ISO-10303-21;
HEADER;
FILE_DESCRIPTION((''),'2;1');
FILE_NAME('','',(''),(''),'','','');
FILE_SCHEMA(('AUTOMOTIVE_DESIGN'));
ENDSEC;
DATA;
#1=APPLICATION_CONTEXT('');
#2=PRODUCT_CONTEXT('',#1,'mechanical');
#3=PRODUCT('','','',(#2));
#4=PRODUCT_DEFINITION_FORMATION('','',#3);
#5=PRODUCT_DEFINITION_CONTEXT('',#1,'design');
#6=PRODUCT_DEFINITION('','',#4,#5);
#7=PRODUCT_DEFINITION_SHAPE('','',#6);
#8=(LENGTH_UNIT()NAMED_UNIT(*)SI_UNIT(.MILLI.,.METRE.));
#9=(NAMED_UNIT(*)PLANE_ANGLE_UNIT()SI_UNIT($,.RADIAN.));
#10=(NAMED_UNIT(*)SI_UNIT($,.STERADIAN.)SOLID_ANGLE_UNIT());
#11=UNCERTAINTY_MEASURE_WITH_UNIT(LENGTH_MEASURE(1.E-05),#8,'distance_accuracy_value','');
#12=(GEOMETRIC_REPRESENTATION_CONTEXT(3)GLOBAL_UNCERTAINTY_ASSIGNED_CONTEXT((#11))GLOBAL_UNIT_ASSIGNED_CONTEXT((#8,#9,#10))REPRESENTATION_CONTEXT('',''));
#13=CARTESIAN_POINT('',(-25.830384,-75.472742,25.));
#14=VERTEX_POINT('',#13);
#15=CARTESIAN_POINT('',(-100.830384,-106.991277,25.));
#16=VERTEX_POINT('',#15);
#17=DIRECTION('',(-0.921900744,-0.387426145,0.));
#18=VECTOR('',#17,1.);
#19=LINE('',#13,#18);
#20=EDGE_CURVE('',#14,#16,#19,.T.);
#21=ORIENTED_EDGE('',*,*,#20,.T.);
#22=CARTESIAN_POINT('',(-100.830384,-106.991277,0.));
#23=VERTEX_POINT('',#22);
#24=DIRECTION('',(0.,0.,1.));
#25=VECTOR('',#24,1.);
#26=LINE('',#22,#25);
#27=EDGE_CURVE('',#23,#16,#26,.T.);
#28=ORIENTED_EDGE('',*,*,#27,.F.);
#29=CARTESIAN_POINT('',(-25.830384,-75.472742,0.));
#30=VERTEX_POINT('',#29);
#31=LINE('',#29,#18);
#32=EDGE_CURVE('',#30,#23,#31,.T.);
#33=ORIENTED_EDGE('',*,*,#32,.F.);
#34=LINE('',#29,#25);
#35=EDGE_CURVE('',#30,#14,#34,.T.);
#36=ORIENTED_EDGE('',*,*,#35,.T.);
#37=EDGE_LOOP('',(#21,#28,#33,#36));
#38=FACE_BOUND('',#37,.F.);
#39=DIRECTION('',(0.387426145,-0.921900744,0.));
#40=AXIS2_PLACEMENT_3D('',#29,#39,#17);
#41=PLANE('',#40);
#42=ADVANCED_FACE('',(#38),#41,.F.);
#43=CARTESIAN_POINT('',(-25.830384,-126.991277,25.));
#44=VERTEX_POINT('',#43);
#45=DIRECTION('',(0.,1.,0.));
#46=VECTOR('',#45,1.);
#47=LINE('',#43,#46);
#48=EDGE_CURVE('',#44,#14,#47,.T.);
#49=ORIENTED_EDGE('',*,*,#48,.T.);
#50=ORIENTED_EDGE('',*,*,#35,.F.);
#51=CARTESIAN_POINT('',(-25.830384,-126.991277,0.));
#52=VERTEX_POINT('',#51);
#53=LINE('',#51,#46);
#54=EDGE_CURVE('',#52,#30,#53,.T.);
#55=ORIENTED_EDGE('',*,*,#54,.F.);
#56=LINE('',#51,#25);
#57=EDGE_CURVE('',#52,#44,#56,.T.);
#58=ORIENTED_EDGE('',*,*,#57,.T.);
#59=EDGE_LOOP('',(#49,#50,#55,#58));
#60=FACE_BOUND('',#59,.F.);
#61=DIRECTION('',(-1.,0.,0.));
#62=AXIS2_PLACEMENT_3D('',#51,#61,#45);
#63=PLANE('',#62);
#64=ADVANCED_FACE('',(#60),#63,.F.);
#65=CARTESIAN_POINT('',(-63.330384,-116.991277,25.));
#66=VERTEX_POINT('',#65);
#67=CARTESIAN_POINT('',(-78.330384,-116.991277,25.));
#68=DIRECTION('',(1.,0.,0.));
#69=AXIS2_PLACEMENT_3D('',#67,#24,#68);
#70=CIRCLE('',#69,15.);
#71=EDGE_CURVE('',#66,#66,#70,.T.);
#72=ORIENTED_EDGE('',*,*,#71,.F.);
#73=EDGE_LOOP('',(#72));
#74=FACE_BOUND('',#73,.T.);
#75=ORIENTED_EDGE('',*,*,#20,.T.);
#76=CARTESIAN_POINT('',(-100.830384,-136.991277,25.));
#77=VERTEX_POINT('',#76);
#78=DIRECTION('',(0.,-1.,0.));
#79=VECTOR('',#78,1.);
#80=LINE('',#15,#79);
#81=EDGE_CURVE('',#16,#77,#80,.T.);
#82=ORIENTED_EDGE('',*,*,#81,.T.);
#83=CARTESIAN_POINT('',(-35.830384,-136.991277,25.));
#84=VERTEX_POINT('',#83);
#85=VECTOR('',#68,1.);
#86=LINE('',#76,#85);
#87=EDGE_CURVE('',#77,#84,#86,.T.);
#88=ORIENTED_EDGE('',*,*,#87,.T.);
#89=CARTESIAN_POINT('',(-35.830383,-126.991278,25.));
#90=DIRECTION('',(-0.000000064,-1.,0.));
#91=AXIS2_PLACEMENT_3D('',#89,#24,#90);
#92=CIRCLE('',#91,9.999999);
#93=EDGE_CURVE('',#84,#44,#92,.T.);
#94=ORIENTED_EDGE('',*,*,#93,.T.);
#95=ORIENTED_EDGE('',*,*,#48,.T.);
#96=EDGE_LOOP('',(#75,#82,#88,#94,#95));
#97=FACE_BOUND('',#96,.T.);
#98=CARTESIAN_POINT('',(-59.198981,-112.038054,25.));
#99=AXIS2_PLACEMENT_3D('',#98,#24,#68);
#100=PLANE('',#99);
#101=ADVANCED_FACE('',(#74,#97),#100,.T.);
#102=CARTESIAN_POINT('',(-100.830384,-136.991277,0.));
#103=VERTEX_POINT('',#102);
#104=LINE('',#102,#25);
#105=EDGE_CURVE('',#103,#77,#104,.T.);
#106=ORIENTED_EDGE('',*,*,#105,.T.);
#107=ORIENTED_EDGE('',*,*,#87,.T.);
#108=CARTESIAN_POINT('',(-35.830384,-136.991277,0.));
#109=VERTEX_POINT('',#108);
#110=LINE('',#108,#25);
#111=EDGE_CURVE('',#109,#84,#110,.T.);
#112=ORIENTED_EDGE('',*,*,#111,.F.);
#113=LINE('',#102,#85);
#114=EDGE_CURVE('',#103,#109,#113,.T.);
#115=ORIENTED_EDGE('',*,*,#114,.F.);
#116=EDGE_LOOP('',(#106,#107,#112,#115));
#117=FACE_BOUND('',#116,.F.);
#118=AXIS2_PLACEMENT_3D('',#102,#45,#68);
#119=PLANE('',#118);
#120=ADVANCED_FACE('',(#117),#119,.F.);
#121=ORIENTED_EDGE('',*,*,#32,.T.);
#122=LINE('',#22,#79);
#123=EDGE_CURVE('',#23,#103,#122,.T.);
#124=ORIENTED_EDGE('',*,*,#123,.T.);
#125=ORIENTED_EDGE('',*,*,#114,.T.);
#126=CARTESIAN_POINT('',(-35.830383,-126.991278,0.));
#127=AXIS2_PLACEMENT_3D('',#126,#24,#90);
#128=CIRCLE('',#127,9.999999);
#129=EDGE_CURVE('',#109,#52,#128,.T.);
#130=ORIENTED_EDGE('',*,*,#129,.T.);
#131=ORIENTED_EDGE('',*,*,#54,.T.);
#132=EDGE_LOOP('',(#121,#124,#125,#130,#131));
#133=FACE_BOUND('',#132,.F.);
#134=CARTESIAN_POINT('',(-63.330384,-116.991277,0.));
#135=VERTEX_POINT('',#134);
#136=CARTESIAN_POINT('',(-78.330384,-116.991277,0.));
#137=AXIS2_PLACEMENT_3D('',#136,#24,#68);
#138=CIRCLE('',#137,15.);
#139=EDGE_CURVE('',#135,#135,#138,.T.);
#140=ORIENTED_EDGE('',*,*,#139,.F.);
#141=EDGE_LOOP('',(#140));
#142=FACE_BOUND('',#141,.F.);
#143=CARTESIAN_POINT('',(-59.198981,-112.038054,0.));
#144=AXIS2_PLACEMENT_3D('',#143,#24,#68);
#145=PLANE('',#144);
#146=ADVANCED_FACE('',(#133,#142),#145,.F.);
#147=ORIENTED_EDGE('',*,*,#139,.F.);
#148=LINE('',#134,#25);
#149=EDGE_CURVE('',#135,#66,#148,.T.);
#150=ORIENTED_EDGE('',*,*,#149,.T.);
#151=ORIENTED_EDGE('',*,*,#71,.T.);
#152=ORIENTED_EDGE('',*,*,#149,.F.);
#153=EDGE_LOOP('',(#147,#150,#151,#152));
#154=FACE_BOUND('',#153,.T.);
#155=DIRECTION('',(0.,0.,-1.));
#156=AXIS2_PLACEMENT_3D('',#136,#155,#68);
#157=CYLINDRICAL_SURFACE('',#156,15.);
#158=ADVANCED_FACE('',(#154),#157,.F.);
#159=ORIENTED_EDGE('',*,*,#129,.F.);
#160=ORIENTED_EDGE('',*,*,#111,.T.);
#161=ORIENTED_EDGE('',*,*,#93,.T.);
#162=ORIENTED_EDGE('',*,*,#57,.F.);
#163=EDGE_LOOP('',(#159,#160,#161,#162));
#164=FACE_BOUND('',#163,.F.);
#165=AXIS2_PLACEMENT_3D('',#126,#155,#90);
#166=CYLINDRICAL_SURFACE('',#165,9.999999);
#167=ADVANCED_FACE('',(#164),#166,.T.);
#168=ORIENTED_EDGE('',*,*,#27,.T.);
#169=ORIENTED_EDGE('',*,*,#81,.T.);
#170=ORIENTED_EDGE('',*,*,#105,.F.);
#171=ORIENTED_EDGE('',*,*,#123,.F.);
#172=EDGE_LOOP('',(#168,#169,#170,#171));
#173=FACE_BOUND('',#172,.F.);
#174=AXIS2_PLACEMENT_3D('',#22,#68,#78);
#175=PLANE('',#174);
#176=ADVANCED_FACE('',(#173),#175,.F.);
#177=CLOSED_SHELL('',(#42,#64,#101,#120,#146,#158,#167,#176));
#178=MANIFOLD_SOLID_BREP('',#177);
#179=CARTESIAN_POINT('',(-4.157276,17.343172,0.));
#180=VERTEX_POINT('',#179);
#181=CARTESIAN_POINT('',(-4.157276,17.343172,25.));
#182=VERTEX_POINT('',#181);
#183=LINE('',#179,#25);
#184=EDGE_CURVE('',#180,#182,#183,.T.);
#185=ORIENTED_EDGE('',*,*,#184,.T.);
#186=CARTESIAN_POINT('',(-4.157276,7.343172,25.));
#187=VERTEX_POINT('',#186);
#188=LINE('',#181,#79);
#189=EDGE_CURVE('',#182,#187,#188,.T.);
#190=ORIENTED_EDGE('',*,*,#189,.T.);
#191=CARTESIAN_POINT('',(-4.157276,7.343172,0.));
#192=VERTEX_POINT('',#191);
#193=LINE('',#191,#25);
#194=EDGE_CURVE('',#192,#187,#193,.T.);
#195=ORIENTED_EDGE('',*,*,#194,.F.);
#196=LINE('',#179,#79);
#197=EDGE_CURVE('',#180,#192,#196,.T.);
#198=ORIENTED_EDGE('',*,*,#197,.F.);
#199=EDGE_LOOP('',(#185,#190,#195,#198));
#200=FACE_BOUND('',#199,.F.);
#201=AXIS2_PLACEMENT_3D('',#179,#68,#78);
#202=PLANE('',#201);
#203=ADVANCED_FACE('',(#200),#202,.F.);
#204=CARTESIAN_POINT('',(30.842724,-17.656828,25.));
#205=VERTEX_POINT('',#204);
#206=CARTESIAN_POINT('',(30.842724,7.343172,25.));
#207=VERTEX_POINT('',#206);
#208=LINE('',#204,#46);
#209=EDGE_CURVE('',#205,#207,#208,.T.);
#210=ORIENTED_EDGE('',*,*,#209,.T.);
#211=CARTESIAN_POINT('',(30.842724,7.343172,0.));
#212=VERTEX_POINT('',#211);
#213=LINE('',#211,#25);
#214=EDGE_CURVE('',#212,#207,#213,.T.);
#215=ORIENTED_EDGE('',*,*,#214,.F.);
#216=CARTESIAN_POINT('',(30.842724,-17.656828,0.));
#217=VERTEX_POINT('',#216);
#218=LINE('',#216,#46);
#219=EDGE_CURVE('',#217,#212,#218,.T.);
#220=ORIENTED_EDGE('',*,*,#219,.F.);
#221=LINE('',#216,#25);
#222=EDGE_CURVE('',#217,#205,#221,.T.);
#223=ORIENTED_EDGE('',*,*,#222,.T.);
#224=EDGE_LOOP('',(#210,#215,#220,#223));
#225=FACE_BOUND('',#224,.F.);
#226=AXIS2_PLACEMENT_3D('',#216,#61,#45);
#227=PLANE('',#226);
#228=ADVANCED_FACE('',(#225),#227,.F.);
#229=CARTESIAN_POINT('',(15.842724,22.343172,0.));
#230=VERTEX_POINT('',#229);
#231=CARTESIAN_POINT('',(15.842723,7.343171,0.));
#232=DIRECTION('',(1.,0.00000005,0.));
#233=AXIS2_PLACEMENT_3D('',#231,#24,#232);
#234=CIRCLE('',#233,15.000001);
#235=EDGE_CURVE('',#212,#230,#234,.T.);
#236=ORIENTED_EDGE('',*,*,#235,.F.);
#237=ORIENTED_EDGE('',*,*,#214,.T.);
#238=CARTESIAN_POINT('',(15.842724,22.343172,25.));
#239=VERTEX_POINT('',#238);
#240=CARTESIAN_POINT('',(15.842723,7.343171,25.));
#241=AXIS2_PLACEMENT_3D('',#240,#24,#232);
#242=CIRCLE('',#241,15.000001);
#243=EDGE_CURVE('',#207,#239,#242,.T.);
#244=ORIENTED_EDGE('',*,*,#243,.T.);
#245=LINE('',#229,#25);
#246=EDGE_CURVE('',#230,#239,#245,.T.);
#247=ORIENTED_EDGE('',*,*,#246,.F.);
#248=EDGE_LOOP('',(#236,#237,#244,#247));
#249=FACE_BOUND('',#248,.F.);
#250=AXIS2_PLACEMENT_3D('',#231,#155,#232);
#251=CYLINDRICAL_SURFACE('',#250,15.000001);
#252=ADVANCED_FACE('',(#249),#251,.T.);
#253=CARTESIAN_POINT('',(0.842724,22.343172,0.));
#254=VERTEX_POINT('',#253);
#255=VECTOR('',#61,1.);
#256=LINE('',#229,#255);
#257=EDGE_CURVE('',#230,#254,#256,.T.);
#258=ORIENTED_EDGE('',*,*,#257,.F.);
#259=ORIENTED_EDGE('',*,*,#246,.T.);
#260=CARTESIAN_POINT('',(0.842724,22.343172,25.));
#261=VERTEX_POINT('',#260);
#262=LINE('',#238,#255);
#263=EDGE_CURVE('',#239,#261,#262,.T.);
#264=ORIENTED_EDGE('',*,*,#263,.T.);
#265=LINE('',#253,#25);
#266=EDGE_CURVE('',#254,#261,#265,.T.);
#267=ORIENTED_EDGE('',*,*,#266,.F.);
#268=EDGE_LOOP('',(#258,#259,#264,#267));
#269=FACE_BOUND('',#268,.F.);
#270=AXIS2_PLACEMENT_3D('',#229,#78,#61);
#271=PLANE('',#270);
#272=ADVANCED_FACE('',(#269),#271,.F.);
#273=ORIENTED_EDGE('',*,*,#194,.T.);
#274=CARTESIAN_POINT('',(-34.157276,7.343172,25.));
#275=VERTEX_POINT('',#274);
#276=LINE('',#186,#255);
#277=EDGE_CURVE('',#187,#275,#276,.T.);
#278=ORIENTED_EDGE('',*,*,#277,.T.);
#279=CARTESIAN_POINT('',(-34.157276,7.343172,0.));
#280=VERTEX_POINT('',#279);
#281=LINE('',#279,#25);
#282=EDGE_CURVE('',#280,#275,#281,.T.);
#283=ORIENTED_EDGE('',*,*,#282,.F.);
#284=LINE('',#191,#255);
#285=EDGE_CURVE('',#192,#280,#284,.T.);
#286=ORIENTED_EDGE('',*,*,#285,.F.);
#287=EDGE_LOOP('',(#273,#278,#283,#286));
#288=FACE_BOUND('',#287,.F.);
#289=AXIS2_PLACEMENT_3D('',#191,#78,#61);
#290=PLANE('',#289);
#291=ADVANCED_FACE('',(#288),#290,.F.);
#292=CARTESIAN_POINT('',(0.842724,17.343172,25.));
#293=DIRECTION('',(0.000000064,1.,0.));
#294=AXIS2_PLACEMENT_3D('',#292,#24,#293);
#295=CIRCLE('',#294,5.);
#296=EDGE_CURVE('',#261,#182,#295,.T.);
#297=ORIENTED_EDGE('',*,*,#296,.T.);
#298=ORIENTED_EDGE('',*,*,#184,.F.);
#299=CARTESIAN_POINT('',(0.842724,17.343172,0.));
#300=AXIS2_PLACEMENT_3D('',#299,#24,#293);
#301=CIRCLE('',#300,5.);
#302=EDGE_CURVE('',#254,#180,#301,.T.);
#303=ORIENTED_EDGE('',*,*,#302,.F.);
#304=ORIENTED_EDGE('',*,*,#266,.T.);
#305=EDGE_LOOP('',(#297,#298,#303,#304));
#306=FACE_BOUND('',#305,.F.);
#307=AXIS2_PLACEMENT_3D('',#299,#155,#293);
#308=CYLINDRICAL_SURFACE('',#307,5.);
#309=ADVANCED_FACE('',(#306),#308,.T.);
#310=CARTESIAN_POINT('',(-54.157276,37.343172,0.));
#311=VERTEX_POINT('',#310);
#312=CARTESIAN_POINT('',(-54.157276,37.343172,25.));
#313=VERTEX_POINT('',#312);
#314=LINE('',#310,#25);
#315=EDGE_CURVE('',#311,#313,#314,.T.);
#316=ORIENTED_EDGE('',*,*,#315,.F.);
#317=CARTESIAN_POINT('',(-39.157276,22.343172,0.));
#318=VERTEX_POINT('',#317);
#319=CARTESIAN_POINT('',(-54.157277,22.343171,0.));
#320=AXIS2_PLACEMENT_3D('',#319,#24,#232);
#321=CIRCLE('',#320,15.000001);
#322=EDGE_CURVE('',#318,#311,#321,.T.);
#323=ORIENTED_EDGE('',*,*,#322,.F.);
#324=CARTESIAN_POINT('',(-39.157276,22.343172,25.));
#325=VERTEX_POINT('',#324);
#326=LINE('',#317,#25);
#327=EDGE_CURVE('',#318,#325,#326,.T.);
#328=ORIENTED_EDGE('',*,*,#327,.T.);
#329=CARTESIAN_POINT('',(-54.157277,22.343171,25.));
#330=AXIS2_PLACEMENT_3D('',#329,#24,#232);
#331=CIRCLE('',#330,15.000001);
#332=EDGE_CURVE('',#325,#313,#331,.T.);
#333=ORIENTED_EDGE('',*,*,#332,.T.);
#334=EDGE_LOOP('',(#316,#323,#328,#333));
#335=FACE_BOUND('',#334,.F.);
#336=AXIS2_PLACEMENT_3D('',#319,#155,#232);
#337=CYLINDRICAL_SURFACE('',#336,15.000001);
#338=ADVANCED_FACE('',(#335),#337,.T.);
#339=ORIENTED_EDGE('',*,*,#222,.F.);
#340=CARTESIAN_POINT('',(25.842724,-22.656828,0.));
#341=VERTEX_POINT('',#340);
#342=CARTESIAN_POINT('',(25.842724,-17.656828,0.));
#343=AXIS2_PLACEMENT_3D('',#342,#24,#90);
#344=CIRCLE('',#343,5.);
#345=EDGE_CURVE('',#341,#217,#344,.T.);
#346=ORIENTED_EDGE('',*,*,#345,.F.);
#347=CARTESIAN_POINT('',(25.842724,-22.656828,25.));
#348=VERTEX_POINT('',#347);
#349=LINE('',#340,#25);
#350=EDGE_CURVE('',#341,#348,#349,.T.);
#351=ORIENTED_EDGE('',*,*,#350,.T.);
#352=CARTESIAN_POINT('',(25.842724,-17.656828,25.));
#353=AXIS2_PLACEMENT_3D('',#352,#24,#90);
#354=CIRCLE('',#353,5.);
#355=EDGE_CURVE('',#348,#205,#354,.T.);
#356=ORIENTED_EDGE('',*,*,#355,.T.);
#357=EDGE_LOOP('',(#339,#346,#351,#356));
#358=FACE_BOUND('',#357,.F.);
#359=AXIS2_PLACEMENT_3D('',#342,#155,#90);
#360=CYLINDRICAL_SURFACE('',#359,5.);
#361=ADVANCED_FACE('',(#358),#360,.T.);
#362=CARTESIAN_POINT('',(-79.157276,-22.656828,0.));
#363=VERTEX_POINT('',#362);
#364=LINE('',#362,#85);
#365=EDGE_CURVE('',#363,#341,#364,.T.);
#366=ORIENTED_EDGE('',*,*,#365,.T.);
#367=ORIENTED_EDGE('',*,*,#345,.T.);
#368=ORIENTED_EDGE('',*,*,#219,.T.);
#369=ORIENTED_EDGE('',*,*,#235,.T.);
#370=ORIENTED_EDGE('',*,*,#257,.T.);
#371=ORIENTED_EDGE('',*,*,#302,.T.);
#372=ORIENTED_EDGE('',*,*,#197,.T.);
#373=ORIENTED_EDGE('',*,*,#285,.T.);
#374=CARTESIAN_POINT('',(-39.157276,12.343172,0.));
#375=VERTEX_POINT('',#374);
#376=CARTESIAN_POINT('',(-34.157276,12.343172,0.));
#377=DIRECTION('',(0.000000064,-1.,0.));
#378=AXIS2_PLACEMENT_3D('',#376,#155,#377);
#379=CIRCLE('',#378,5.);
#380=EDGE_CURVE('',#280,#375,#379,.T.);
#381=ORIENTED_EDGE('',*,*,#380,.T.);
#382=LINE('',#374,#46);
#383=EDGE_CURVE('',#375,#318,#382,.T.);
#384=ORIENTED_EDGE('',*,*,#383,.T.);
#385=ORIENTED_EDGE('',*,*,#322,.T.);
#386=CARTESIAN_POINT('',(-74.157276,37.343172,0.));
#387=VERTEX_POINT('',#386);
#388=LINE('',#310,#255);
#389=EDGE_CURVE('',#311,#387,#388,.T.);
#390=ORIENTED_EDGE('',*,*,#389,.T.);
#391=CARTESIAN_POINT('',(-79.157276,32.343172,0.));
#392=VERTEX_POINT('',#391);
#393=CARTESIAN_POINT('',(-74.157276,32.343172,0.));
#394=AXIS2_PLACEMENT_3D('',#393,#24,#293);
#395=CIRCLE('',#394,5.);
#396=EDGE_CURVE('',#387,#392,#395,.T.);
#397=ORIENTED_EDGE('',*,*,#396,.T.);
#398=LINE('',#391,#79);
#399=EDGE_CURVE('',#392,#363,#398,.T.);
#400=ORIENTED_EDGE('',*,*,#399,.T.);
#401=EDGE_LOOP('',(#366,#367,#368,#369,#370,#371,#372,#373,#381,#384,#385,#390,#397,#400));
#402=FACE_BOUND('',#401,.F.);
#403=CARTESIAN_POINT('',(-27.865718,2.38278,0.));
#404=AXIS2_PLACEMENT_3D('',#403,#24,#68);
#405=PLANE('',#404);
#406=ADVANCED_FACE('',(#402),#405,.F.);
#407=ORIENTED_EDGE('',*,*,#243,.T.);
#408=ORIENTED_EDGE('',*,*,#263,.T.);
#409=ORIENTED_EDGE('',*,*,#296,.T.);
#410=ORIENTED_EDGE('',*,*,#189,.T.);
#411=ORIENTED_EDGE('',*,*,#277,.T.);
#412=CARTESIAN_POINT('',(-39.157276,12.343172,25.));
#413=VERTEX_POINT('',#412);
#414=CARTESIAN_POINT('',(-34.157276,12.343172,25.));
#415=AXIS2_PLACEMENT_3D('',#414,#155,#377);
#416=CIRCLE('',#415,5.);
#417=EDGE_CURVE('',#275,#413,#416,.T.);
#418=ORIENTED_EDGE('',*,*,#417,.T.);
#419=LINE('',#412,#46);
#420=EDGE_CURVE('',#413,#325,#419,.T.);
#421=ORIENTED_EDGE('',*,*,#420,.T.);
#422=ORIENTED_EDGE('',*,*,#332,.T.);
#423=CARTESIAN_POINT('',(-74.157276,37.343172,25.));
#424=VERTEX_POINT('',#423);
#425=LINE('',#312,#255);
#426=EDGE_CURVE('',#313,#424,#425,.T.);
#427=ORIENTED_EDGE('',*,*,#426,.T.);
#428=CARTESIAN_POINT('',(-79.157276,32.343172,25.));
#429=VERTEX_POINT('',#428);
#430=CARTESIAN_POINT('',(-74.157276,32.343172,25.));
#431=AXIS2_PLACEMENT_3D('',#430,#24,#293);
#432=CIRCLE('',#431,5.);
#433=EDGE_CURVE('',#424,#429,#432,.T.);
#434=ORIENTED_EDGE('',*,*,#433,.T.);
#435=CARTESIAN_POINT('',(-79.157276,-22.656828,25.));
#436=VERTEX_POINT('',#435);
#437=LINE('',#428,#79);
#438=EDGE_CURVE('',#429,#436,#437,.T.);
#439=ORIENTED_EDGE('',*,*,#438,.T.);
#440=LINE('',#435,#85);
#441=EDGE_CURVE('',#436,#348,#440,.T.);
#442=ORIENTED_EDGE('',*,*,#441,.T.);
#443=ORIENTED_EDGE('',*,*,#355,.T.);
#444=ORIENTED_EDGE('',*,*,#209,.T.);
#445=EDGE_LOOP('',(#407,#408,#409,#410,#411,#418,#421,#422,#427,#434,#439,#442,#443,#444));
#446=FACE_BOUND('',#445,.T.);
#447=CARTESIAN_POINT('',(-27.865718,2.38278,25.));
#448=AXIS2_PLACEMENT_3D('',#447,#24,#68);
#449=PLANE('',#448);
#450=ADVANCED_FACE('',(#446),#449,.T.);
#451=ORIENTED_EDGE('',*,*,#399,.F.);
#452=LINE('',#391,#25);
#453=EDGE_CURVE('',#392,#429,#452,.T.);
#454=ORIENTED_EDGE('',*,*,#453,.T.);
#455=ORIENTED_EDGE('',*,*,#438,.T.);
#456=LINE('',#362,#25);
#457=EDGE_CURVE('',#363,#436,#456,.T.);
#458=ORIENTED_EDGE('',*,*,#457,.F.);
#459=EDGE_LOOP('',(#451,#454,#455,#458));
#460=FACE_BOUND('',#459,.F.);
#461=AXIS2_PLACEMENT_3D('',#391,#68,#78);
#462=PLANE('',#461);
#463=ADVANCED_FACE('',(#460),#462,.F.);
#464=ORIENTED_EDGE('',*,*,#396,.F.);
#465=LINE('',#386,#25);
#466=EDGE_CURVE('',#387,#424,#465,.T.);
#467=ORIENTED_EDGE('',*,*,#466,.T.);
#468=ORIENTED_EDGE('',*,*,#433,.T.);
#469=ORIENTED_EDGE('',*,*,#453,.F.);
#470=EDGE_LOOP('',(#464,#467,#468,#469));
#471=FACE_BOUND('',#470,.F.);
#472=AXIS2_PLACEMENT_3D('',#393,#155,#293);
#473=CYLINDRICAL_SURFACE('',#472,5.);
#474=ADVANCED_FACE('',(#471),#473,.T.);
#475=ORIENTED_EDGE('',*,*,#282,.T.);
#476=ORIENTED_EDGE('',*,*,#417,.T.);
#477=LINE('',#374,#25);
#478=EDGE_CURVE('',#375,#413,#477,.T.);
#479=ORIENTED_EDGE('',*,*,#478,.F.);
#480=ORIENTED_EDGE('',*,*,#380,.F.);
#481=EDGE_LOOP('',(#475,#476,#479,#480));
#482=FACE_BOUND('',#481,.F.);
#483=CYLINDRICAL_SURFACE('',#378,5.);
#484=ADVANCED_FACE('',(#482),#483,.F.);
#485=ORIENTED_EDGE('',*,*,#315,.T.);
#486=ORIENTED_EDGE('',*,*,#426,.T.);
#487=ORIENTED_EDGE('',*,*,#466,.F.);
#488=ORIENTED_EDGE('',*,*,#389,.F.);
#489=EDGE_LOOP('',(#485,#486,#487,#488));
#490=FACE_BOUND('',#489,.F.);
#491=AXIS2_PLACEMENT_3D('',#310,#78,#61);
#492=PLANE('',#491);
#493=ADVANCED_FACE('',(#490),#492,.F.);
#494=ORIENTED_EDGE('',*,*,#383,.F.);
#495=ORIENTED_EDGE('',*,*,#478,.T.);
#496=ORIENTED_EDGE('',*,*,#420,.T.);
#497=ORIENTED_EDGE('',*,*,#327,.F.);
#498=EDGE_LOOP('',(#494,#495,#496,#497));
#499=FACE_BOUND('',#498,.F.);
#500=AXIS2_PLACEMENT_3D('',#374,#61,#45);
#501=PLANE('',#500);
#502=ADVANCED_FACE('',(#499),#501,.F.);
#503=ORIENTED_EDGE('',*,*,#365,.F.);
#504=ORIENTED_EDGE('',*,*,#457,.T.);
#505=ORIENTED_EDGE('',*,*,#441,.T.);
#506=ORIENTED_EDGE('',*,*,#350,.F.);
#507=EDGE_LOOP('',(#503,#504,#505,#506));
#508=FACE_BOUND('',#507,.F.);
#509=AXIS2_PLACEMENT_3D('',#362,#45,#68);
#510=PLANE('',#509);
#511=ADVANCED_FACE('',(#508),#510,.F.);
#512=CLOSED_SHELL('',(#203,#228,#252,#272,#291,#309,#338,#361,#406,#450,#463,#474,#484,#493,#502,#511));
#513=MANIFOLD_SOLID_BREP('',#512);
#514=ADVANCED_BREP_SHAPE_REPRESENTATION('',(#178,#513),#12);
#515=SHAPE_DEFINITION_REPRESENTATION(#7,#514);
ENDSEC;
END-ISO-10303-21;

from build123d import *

# Parameters (mm, degrees)
F1_DEPTH = 25
F0_R     = 15
F2_DEPTH = 25


with BuildPart() as f1:
    # F0 (on Top) → F1 (new body)
    with BuildSketch(Plane.XY):
        with BuildLine():
            Line((-79.157276, 32.343172), (-79.157276, -22.656828))
            Line((-79.157276, -22.656828), (25.842724, -22.656828))
            ThreePointArc((25.842724, -22.656828), (29.378258, -21.192362), (30.842724, -17.656828))
            Line((30.842724, -17.656828), (30.842724, 7.343172))
            ThreePointArc((30.842724, 7.343172), (26.449325, 17.949774), (15.842724, 22.343172))
            Line((15.842724, 22.343172), (0.842724, 22.343172))
            ThreePointArc((0.842724, 22.343172), (-2.69281, 20.878706), (-4.157276, 17.343172))
            Line((-4.157276, 17.343172), (-4.157276, 7.343172))
            Line((-4.157276, 7.343172), (-34.157276, 7.343172))
            ThreePointArc((-34.157276, 7.343172), (-37.69281, 8.807638), (-39.157276, 12.343172))
            Line((-39.157276, 12.343172), (-39.157276, 22.343172))
            ThreePointArc((-39.157276, 22.343172), (-43.550675, 32.949774), (-54.157276, 37.343172))
            Line((-54.157276, 37.343172), (-74.157276, 37.343172))
            ThreePointArc((-74.157276, 37.343172), (-77.69281, 35.878706), (-79.157276, 32.343172))
        make_face()
    extrude(amount=F1_DEPTH)


with BuildPart() as f2:
    # F0 (on Top) → F2 (new body)
    with BuildSketch(Plane.XY):
        with BuildLine():
            Line((-100.830384, -116.991277), (-100.830384, -136.991277))
            Line((-100.830384, -136.991277), (-78.330384, -136.991277))
            Line((-78.330384, -136.991277), (-35.830384, -136.991277))
            ThreePointArc((-35.830384, -136.991277), (-28.759316, -134.062345), (-25.830384, -126.991277))
            Line((-25.830384, -126.991277), (-25.830384, -75.472742))
            Line((-25.830384, -75.472742), (-100.830384, -106.991277))
            Line((-100.830384, -106.991277), (-100.830384, -116.991277))
        make_face()
        with Locations((-78.330384, -116.991277)):
            Circle(F0_R, mode=Mode.SUBTRACT)
    extrude(amount=F2_DEPTH)


solid = Compound([f1.part, f2.part])
